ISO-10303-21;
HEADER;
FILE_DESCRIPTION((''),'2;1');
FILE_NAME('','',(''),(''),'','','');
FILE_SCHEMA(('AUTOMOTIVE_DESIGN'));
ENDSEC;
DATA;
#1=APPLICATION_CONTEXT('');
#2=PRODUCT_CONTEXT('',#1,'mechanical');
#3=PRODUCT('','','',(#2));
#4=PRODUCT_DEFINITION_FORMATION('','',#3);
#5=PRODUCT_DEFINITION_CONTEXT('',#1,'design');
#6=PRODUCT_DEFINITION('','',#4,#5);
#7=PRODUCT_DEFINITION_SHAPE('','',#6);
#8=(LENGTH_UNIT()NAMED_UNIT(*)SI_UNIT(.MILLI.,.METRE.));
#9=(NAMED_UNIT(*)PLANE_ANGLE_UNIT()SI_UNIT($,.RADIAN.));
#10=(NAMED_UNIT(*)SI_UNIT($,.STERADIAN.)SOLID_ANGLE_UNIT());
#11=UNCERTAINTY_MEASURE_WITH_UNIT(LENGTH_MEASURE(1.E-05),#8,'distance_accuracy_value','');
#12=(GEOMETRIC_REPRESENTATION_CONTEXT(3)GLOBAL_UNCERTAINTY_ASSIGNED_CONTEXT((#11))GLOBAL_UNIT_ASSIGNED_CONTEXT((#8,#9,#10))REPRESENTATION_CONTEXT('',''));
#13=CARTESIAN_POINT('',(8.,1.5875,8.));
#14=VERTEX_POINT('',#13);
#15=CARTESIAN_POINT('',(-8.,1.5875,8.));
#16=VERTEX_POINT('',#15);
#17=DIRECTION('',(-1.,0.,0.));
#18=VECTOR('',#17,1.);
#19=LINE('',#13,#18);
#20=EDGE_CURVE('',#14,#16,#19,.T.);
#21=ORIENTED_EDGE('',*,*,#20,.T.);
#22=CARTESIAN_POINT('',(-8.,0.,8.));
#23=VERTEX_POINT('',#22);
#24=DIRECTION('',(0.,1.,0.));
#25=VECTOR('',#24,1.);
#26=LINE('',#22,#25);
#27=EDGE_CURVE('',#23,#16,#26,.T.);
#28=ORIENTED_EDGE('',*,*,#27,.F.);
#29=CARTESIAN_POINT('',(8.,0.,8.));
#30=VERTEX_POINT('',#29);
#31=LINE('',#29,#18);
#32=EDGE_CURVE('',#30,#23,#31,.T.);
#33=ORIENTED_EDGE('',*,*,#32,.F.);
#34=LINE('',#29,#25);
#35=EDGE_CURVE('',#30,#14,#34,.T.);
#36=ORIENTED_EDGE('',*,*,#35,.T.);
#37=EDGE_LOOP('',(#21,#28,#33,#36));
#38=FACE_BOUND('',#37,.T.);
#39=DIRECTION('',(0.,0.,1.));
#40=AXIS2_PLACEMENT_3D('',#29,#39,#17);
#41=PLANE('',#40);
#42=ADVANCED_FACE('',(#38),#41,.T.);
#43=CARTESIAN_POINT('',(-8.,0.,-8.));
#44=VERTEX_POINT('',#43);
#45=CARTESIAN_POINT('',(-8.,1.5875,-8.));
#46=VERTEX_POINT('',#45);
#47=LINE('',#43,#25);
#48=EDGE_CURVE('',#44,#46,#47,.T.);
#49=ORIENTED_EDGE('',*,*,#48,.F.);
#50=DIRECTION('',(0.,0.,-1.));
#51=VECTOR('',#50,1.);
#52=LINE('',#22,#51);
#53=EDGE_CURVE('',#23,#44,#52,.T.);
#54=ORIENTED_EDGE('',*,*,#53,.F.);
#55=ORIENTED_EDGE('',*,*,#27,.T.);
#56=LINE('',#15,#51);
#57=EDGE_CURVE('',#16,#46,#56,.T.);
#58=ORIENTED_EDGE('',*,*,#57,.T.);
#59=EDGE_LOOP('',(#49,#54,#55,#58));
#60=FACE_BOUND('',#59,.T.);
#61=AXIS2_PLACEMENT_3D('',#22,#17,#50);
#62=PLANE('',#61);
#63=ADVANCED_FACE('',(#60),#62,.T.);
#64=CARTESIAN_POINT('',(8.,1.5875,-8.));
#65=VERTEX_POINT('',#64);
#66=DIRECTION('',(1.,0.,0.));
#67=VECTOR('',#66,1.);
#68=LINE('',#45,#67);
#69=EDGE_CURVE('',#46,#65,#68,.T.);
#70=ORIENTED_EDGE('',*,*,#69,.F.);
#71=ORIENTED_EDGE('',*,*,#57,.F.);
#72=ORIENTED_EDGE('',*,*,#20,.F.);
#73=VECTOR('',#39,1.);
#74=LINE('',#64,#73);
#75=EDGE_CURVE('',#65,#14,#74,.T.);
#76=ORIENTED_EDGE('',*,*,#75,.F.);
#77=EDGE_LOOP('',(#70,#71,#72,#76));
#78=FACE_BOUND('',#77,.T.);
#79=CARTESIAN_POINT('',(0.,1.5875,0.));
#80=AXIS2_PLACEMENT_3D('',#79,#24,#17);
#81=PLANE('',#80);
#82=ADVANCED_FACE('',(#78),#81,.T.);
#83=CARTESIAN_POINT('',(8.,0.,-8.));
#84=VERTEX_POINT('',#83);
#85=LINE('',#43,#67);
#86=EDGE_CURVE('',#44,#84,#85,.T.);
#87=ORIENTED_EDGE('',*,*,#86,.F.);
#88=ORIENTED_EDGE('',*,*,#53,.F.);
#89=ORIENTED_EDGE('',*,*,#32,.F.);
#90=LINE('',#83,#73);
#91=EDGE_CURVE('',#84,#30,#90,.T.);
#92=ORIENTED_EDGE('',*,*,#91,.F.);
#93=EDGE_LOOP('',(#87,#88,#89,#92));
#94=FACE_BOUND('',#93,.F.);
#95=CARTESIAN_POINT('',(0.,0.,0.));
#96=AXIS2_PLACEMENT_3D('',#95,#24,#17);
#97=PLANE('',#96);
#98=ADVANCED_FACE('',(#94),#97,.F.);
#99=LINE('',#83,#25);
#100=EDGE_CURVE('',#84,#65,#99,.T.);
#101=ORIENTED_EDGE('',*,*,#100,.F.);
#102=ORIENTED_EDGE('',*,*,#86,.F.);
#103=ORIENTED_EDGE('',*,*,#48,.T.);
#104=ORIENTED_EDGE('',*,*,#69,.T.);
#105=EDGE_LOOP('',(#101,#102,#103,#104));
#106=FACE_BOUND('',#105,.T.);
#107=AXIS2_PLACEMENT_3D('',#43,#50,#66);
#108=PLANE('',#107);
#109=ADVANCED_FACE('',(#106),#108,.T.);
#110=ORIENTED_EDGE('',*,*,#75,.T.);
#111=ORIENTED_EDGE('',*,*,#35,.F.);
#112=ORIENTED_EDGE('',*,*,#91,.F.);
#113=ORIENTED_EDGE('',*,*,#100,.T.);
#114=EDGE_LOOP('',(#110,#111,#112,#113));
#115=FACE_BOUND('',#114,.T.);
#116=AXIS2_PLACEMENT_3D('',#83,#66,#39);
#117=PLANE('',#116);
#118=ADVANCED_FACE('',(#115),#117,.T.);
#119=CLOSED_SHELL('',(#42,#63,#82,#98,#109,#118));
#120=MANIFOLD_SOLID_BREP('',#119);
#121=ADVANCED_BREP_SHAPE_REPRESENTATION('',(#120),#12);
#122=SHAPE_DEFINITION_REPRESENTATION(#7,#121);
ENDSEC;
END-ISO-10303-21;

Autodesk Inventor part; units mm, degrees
ref_plane "YZ Plane" through (0, 0, 0) normal (1, 0, 0) x (0, 1, 0)
ref_plane "XZ Plane" through (0, 0, 0) normal (0, 1, 0) x (-1, 0, 0)
ref_plane "XY Plane" through (0, 0, 0) normal (0, 0, 1) x (1, 0, 0)
sketch "Sketch1" plane through (0, 0, 0) normal (0, 1, 0) x (-1, 0, 0)
  line L0 (-8, 8) -> (8, 8)
  line L1 (8, 8) -> (8, -8)
  line L2 (8, -8) -> (-8, -8)
  line L3 (-8, -8) -> (-8, 8)
  line L4 (-8, 8) -> (8, -8) construction
  line L5 (8, 8) -> (-8, -8) construction
  point P0 (0, 0)
  dimension "d0" = 16
  dimension "d1" = 16
extrude "Extrusion1" add sketch "Sketch1" along normal blind 1.5875
properties part number "usb_cover" material "Rubber"
